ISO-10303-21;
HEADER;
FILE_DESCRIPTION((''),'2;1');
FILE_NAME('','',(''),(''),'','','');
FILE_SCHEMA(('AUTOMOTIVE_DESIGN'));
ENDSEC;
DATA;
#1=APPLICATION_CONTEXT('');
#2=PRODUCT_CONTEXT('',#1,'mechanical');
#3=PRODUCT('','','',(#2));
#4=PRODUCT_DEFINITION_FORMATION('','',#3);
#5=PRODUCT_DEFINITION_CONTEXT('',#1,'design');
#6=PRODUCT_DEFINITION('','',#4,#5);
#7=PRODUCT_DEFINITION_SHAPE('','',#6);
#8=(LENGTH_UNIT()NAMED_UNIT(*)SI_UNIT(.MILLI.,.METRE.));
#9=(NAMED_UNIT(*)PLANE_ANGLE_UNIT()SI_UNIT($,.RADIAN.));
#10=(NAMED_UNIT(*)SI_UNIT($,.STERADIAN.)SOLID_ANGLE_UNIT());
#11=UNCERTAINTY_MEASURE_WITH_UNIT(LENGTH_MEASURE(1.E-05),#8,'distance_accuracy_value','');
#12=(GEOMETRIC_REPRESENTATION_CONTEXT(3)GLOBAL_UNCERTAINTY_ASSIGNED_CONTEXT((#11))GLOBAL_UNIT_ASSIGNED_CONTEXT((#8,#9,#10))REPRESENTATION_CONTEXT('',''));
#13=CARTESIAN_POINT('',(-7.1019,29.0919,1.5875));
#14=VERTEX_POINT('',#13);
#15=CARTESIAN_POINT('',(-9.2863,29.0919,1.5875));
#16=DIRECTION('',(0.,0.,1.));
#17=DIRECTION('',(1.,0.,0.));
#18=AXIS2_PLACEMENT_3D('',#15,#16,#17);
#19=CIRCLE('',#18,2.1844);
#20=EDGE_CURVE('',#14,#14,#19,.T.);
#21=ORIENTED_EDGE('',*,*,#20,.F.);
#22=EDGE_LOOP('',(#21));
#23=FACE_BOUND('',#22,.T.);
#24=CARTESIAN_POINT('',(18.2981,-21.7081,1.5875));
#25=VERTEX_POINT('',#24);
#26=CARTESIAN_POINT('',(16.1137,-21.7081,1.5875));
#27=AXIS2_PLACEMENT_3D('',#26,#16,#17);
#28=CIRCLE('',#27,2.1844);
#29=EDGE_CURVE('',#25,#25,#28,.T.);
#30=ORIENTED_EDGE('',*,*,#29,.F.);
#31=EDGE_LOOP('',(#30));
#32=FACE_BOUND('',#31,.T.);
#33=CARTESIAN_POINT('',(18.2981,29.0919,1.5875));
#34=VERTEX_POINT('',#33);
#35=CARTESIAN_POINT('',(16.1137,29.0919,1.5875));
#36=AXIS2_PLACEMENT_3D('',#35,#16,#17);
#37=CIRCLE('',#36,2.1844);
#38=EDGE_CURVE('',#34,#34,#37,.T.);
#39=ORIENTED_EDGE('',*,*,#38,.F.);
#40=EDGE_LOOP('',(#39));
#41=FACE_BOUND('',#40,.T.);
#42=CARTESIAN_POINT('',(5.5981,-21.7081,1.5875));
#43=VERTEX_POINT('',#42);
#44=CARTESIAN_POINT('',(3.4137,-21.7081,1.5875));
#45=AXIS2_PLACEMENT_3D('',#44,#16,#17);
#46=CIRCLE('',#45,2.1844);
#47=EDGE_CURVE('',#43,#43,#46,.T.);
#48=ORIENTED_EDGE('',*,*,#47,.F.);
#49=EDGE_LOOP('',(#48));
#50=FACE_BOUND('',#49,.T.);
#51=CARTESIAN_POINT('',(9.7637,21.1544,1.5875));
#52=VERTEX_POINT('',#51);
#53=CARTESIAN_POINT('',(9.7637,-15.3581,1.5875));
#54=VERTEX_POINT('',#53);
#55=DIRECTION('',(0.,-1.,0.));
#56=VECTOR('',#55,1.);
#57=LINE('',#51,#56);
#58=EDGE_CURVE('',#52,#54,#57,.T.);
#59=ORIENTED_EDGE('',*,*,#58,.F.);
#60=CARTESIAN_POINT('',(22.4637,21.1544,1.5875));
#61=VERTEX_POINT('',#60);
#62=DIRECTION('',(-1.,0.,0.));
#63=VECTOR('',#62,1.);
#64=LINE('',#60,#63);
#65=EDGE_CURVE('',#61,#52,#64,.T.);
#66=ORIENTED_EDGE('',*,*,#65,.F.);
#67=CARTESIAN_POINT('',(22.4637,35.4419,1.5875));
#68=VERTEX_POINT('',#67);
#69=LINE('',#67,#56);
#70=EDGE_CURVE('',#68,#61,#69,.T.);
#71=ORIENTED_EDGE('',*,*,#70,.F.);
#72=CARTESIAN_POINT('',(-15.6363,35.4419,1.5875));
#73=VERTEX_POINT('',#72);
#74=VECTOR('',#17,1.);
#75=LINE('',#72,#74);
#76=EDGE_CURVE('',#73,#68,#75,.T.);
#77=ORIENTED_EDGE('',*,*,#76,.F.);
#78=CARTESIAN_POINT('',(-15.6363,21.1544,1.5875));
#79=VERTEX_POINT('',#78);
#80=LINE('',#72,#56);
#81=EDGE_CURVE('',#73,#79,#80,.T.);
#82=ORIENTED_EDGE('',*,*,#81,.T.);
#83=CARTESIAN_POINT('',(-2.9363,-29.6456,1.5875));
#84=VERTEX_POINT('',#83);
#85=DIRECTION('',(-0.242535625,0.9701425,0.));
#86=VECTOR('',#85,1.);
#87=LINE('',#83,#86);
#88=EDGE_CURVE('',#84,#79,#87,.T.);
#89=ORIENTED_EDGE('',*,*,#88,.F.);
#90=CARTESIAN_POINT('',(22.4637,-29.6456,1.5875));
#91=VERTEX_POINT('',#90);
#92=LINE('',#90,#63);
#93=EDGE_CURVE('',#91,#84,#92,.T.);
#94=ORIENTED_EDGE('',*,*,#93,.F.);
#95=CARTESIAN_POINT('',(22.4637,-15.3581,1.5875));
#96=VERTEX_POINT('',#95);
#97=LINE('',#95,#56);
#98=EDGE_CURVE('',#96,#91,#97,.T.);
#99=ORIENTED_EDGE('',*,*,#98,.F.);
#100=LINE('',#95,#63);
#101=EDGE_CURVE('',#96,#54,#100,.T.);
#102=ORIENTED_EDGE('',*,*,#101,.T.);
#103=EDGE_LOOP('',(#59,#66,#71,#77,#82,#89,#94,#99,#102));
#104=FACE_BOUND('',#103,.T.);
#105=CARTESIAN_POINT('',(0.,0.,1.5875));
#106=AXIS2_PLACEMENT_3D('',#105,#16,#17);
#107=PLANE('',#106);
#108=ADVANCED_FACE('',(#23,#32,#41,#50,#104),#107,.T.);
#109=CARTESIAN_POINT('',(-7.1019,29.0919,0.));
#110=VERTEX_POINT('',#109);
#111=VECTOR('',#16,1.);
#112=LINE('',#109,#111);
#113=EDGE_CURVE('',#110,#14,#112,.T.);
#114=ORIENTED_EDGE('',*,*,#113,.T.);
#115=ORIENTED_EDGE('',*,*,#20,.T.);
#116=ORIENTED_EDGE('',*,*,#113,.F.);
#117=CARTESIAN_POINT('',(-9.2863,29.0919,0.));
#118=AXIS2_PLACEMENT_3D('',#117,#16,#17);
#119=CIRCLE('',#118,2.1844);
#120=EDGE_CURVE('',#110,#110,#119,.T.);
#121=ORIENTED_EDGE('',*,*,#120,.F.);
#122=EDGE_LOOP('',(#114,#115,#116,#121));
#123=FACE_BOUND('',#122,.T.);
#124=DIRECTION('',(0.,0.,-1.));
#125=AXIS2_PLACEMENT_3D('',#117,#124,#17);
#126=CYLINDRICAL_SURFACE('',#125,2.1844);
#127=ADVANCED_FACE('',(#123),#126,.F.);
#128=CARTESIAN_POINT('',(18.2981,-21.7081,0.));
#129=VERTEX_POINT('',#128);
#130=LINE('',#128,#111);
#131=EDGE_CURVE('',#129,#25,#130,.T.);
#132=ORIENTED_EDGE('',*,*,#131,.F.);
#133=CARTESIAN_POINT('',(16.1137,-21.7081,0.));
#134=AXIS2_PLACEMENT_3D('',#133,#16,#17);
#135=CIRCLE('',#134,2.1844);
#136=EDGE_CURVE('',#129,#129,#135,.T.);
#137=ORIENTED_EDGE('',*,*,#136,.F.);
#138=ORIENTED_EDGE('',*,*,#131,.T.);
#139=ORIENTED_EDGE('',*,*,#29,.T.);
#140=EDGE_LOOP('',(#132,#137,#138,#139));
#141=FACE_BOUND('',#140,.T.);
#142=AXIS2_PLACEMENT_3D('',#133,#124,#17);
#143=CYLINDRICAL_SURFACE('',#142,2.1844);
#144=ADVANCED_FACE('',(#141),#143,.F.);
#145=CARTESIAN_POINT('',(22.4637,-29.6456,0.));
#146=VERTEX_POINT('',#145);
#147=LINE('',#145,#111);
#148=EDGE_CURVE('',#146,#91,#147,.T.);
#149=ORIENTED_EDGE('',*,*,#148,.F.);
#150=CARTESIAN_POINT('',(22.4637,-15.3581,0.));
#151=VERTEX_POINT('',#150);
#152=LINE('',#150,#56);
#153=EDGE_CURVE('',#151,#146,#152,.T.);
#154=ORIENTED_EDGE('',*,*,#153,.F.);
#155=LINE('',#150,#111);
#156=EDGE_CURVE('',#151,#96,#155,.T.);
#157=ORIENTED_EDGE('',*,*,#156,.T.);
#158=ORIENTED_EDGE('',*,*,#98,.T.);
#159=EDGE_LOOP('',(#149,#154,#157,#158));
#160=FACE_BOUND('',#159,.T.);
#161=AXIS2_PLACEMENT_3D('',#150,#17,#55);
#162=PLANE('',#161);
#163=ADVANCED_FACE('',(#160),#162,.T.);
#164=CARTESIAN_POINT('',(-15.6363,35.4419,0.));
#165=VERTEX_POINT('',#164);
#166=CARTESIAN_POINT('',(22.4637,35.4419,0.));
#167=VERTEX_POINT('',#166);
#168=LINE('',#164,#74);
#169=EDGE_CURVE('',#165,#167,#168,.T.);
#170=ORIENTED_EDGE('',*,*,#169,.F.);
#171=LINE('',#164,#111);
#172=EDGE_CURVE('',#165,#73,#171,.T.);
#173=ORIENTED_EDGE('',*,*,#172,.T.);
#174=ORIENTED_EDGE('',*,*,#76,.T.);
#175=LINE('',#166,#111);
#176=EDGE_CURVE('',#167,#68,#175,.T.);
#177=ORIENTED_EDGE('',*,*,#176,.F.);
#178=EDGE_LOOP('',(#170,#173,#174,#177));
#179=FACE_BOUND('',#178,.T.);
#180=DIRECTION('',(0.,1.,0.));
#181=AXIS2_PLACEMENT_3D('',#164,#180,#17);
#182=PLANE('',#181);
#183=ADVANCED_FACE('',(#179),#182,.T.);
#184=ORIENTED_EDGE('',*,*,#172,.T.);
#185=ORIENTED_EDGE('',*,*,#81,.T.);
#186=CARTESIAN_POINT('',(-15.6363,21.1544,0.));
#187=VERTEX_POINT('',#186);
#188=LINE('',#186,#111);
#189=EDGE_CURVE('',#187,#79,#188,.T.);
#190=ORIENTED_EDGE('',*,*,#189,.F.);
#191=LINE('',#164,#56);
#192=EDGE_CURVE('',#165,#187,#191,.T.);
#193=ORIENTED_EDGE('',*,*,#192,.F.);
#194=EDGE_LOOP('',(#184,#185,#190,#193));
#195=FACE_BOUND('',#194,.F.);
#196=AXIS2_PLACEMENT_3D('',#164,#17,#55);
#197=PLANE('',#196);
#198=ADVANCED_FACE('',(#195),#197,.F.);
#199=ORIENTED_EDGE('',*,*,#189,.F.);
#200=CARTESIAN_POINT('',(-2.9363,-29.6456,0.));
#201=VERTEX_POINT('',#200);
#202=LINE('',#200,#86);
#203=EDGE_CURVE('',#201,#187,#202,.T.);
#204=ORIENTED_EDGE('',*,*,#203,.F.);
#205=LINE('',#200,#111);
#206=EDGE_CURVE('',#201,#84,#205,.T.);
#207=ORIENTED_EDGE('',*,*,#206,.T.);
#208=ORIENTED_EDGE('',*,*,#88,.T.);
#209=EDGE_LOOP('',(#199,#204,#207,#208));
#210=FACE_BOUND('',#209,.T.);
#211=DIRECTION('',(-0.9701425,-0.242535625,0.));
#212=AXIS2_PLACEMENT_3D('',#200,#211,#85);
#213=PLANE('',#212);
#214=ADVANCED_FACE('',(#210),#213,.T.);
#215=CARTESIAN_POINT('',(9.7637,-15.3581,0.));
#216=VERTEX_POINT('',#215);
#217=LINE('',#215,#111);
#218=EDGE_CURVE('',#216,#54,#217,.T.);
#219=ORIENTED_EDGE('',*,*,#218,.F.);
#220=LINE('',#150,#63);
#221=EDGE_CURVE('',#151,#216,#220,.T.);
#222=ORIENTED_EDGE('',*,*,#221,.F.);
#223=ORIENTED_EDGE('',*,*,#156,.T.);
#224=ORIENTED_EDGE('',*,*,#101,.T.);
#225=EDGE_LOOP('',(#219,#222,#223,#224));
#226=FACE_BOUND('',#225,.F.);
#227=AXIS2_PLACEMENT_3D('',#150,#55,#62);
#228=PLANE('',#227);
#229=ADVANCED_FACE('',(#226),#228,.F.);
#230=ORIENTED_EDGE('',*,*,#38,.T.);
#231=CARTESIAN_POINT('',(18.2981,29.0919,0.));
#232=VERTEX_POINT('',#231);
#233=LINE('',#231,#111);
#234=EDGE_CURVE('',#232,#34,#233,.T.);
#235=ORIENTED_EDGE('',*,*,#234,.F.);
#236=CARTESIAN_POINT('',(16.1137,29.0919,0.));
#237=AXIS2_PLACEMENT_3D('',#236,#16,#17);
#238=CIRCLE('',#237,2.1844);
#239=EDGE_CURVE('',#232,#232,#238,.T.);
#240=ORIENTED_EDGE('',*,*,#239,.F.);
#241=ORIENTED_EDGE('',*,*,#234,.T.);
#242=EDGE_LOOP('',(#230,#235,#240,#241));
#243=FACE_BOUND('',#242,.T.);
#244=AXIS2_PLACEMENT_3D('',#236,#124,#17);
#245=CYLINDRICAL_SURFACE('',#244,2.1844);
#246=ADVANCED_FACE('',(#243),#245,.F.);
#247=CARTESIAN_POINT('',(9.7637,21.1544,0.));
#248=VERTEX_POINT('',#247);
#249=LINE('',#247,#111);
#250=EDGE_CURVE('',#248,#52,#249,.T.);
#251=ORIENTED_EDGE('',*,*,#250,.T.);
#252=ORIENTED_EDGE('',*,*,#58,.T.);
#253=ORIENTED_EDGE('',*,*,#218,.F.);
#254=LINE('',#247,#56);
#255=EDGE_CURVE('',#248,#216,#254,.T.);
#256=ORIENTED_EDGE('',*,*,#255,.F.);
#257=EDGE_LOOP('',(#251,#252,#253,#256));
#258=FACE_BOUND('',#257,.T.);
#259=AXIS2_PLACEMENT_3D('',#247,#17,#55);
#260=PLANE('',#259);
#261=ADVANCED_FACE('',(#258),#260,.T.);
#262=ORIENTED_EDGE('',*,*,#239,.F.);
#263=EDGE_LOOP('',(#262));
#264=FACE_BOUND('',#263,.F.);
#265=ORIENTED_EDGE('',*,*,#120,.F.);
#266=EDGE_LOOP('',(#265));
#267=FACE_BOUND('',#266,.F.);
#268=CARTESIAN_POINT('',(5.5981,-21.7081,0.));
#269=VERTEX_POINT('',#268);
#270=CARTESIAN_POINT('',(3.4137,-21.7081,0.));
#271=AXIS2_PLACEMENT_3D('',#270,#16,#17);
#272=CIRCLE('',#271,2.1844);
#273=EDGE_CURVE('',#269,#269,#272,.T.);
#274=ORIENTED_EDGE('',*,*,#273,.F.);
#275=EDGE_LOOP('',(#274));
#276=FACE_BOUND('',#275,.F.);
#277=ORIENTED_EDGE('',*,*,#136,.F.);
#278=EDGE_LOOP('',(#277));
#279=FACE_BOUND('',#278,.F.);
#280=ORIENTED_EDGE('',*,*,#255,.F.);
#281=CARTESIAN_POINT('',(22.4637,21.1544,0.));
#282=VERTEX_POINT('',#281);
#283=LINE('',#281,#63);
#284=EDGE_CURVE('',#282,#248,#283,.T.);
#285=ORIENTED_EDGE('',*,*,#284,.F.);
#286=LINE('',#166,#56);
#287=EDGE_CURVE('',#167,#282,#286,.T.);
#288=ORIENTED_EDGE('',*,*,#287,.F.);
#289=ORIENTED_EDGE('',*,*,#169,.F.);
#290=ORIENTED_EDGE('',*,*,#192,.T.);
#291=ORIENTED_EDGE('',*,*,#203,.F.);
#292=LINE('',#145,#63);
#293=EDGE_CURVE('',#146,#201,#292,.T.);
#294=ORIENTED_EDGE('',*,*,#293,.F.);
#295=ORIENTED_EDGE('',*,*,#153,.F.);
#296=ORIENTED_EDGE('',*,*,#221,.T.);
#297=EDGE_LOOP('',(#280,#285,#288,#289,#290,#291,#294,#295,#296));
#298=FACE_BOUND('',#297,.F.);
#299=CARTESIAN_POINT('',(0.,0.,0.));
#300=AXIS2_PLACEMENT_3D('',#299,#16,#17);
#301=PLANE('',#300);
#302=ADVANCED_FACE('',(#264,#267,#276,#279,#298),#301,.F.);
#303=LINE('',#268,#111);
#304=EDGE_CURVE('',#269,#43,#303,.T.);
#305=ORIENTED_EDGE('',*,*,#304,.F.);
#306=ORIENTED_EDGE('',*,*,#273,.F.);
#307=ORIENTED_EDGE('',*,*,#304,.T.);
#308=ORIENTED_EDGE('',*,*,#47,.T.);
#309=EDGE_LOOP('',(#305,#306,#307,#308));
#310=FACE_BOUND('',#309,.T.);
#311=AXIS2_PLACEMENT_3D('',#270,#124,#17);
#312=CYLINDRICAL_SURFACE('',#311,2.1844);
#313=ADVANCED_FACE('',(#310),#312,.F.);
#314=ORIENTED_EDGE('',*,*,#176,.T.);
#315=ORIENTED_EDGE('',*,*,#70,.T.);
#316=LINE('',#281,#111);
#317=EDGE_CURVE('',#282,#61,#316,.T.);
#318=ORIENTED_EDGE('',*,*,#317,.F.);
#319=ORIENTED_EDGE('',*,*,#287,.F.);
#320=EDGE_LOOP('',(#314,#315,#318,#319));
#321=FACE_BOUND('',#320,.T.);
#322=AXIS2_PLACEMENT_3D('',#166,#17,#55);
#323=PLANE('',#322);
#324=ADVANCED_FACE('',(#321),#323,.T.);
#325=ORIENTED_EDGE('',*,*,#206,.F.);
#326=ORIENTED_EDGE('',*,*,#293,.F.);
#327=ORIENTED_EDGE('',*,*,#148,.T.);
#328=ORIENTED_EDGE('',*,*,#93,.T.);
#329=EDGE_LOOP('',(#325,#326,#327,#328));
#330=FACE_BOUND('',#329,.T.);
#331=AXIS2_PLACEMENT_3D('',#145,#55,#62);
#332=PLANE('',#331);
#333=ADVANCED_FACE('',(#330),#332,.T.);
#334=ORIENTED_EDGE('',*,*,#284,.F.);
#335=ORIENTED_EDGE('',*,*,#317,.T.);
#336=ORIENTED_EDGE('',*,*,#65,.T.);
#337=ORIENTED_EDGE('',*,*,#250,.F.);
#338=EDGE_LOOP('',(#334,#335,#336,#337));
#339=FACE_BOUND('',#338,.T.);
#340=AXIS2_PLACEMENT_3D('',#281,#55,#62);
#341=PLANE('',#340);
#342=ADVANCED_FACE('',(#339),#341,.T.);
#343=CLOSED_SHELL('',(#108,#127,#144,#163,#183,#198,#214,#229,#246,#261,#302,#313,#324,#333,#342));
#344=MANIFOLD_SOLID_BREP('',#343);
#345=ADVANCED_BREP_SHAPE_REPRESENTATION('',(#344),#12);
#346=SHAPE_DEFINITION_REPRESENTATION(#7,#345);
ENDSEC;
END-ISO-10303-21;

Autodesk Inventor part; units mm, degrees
ref_plane "YZ Plane" through (0, 0, 0) normal (1, 0, 0) x (0, 1, 0)
ref_plane "XZ Plane" through (0, 0, 0) normal (0, 1, 0) x (-1, 0, 0)
ref_plane "XY Plane" through (0, 0, 0) normal (0, 0, 1) x (1, 0, 0)
sketch "Sketch1" plane through (0, 0, 0) normal (0, 0, 1) x (1, 0, 0)
  line L0 (-15.6363, 35.4419) -> (22.4637, 35.4419)
  line L1 (22.4637, 35.4419) -> (22.4637, 21.1544)
  line L2 (22.4637, -15.3581) -> (22.4637, -29.6456)
  line L3 (-2.9363, -29.6456) -> (-15.6363, 21.1544)
  line L4 (22.4637, 21.1544) -> (9.7637, 21.1544)
  line L5 (9.7637, 21.1544) -> (9.7637, -15.3581)
  line L6 (-15.6363, 35.4419) -> (-15.6363, 21.1544)
  line L7 (22.4637, -15.3581) -> (9.7637, -15.3581)
  line L8 (22.4637, -29.6456) -> (-2.9363, -29.6456)
  circle A0 centre (16.1137, 29.0919) radius 2.1844
  circle A1 centre (-9.2863, 29.0919) radius 2.1844
  circle A2 centre (16.1137, -21.7081) radius 2.1844
  circle A3 centre (3.4137, -21.7081) radius 2.1844
  point P0 (0, 0)
  dimension "d0" = 38.1
  dimension "d1" = 12.7
extrude "Extrusion1" add sketch "Sketch1" along normal blind 1.5875
properties part number "FrontFunnel"
